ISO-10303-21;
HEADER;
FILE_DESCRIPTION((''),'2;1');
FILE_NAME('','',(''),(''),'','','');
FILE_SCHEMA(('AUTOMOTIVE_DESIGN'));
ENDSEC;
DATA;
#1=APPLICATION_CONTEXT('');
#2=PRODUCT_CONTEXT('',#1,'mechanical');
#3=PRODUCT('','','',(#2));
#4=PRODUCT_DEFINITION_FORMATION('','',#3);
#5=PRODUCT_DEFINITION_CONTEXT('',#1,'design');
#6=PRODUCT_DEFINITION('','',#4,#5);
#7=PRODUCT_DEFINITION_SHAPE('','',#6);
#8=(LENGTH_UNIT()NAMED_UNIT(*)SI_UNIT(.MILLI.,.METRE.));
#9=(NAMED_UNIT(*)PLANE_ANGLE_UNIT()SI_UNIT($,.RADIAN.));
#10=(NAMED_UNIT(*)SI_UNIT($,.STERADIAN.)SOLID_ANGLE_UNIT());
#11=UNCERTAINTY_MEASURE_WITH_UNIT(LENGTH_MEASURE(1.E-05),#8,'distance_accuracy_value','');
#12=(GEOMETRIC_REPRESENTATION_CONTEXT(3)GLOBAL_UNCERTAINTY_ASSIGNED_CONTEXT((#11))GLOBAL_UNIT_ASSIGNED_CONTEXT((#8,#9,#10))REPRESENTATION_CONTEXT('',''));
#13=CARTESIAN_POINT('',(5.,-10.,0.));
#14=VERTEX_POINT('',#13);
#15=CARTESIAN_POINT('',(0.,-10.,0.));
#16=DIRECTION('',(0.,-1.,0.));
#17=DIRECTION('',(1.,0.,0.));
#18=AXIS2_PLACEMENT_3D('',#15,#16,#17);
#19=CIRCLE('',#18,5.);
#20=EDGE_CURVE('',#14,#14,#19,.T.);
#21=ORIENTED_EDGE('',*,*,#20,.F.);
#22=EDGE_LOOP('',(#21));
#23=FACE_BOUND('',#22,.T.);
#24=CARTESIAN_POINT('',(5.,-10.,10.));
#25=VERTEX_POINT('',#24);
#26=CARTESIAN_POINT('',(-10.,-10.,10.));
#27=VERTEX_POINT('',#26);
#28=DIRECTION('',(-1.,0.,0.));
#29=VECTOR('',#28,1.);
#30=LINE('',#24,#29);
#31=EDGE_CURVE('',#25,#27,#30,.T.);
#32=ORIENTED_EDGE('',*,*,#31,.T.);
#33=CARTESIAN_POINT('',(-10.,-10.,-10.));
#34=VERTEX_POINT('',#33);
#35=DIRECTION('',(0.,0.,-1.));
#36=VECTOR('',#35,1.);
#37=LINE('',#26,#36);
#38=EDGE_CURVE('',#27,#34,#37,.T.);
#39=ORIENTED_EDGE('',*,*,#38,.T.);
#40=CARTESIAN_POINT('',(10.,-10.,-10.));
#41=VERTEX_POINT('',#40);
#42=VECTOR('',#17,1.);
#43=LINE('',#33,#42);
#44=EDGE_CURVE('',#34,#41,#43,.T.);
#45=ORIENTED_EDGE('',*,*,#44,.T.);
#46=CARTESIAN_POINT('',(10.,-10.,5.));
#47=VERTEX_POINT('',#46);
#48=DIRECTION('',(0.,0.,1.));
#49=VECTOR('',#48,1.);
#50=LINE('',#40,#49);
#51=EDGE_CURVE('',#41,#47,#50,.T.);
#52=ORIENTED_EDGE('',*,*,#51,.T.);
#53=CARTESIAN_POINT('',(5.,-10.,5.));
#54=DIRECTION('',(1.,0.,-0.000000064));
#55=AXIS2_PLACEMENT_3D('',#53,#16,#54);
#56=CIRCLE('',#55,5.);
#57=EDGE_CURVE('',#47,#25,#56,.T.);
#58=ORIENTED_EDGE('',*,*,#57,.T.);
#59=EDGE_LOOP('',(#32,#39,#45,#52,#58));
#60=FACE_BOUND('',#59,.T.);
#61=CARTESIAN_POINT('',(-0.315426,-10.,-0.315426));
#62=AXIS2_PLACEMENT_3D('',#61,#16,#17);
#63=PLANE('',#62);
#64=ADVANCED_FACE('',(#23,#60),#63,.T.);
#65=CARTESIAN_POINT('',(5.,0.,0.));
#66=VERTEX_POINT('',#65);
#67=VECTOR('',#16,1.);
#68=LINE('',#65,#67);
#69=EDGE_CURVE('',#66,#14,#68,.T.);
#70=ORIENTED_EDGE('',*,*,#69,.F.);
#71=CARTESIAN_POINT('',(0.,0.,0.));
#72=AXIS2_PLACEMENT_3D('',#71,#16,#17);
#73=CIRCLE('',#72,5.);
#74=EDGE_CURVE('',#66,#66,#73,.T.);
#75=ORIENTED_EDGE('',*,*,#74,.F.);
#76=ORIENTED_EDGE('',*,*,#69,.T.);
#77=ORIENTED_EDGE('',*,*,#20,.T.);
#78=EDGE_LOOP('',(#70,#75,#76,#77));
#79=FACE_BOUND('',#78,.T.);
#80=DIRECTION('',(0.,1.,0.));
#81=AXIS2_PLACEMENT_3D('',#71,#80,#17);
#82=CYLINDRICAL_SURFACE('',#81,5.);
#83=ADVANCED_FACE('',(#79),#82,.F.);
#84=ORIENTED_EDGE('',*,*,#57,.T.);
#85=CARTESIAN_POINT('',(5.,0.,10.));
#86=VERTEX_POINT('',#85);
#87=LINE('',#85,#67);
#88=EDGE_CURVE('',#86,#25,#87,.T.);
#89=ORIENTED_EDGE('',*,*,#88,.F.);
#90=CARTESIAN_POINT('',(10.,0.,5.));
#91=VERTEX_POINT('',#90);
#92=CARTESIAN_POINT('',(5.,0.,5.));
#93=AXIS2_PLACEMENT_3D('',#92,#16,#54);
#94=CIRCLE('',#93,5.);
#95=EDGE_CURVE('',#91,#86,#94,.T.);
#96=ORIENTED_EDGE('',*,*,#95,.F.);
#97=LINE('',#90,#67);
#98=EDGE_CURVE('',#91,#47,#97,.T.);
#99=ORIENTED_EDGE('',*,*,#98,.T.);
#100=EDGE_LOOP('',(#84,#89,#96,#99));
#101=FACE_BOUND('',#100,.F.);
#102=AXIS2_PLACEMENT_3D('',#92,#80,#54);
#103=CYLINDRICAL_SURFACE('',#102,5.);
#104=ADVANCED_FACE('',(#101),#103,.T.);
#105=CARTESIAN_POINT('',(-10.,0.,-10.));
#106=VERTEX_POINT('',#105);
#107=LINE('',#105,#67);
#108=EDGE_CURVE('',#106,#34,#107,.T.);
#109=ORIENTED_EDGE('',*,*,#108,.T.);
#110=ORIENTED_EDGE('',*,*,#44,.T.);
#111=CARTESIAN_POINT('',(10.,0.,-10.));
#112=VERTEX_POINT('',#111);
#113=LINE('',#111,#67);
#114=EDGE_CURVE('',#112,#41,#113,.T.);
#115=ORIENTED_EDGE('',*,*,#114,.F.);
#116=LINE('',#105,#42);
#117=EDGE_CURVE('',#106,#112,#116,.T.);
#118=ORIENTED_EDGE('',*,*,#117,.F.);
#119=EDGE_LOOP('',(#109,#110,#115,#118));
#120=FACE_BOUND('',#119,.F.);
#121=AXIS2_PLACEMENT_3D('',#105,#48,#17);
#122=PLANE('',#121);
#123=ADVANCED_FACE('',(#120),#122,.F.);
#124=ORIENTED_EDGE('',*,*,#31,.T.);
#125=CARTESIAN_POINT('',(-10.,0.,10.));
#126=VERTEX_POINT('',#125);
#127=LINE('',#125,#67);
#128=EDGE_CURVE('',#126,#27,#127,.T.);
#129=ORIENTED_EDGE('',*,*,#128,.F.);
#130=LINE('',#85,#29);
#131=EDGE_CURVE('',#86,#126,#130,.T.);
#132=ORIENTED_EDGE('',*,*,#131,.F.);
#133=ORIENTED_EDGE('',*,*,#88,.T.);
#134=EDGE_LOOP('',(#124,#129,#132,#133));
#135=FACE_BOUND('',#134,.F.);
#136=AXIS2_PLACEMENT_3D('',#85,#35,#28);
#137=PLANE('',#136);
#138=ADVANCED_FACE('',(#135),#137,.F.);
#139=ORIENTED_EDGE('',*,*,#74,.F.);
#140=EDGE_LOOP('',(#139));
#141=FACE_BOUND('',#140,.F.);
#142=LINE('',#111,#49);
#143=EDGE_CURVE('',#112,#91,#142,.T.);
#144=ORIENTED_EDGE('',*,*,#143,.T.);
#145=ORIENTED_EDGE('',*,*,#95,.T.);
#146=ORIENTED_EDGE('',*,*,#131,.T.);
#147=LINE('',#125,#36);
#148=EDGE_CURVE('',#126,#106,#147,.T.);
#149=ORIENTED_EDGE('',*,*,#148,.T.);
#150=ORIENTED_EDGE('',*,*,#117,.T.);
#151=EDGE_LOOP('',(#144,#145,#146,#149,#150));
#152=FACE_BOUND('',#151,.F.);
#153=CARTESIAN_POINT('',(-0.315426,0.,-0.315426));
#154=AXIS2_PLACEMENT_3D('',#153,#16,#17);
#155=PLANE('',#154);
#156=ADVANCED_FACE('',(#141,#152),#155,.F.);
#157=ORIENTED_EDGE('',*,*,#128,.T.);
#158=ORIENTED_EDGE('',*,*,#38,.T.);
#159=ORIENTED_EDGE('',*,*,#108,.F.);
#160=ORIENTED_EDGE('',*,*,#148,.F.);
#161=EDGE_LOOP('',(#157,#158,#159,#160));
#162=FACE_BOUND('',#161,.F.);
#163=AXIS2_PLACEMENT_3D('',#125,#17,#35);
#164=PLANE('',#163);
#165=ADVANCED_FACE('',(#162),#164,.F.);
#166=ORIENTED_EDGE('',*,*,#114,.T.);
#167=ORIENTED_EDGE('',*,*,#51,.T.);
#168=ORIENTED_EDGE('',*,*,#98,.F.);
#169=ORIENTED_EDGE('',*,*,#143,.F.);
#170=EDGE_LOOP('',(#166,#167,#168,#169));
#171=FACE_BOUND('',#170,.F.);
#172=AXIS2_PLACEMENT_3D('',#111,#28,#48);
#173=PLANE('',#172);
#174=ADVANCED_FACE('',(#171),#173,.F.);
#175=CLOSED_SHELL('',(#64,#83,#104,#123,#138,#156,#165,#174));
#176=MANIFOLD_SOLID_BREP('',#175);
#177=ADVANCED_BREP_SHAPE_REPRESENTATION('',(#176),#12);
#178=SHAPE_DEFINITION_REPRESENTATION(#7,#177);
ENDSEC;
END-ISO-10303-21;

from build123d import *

# Parameters (mm, degrees)
F0_R     = 5
F1_DEPTH = 10


with BuildPart() as f1:
    # F0 (on Front) → F1 (new body)
    with BuildSketch(Plane.XZ):
        with BuildLine():
            Line((-10, -10), (10, -10))
            Line((10, -10), (10, 5))
            ThreePointArc((10, 5), (8.535534, 8.535534), (5, 10))
            Line((5, 10), (-10, 10))
            Line((-10, 10), (-10, -10))
        make_face()
        Circle(F0_R, mode=Mode.SUBTRACT)
    extrude(amount=F1_DEPTH)


solid = f1.part
